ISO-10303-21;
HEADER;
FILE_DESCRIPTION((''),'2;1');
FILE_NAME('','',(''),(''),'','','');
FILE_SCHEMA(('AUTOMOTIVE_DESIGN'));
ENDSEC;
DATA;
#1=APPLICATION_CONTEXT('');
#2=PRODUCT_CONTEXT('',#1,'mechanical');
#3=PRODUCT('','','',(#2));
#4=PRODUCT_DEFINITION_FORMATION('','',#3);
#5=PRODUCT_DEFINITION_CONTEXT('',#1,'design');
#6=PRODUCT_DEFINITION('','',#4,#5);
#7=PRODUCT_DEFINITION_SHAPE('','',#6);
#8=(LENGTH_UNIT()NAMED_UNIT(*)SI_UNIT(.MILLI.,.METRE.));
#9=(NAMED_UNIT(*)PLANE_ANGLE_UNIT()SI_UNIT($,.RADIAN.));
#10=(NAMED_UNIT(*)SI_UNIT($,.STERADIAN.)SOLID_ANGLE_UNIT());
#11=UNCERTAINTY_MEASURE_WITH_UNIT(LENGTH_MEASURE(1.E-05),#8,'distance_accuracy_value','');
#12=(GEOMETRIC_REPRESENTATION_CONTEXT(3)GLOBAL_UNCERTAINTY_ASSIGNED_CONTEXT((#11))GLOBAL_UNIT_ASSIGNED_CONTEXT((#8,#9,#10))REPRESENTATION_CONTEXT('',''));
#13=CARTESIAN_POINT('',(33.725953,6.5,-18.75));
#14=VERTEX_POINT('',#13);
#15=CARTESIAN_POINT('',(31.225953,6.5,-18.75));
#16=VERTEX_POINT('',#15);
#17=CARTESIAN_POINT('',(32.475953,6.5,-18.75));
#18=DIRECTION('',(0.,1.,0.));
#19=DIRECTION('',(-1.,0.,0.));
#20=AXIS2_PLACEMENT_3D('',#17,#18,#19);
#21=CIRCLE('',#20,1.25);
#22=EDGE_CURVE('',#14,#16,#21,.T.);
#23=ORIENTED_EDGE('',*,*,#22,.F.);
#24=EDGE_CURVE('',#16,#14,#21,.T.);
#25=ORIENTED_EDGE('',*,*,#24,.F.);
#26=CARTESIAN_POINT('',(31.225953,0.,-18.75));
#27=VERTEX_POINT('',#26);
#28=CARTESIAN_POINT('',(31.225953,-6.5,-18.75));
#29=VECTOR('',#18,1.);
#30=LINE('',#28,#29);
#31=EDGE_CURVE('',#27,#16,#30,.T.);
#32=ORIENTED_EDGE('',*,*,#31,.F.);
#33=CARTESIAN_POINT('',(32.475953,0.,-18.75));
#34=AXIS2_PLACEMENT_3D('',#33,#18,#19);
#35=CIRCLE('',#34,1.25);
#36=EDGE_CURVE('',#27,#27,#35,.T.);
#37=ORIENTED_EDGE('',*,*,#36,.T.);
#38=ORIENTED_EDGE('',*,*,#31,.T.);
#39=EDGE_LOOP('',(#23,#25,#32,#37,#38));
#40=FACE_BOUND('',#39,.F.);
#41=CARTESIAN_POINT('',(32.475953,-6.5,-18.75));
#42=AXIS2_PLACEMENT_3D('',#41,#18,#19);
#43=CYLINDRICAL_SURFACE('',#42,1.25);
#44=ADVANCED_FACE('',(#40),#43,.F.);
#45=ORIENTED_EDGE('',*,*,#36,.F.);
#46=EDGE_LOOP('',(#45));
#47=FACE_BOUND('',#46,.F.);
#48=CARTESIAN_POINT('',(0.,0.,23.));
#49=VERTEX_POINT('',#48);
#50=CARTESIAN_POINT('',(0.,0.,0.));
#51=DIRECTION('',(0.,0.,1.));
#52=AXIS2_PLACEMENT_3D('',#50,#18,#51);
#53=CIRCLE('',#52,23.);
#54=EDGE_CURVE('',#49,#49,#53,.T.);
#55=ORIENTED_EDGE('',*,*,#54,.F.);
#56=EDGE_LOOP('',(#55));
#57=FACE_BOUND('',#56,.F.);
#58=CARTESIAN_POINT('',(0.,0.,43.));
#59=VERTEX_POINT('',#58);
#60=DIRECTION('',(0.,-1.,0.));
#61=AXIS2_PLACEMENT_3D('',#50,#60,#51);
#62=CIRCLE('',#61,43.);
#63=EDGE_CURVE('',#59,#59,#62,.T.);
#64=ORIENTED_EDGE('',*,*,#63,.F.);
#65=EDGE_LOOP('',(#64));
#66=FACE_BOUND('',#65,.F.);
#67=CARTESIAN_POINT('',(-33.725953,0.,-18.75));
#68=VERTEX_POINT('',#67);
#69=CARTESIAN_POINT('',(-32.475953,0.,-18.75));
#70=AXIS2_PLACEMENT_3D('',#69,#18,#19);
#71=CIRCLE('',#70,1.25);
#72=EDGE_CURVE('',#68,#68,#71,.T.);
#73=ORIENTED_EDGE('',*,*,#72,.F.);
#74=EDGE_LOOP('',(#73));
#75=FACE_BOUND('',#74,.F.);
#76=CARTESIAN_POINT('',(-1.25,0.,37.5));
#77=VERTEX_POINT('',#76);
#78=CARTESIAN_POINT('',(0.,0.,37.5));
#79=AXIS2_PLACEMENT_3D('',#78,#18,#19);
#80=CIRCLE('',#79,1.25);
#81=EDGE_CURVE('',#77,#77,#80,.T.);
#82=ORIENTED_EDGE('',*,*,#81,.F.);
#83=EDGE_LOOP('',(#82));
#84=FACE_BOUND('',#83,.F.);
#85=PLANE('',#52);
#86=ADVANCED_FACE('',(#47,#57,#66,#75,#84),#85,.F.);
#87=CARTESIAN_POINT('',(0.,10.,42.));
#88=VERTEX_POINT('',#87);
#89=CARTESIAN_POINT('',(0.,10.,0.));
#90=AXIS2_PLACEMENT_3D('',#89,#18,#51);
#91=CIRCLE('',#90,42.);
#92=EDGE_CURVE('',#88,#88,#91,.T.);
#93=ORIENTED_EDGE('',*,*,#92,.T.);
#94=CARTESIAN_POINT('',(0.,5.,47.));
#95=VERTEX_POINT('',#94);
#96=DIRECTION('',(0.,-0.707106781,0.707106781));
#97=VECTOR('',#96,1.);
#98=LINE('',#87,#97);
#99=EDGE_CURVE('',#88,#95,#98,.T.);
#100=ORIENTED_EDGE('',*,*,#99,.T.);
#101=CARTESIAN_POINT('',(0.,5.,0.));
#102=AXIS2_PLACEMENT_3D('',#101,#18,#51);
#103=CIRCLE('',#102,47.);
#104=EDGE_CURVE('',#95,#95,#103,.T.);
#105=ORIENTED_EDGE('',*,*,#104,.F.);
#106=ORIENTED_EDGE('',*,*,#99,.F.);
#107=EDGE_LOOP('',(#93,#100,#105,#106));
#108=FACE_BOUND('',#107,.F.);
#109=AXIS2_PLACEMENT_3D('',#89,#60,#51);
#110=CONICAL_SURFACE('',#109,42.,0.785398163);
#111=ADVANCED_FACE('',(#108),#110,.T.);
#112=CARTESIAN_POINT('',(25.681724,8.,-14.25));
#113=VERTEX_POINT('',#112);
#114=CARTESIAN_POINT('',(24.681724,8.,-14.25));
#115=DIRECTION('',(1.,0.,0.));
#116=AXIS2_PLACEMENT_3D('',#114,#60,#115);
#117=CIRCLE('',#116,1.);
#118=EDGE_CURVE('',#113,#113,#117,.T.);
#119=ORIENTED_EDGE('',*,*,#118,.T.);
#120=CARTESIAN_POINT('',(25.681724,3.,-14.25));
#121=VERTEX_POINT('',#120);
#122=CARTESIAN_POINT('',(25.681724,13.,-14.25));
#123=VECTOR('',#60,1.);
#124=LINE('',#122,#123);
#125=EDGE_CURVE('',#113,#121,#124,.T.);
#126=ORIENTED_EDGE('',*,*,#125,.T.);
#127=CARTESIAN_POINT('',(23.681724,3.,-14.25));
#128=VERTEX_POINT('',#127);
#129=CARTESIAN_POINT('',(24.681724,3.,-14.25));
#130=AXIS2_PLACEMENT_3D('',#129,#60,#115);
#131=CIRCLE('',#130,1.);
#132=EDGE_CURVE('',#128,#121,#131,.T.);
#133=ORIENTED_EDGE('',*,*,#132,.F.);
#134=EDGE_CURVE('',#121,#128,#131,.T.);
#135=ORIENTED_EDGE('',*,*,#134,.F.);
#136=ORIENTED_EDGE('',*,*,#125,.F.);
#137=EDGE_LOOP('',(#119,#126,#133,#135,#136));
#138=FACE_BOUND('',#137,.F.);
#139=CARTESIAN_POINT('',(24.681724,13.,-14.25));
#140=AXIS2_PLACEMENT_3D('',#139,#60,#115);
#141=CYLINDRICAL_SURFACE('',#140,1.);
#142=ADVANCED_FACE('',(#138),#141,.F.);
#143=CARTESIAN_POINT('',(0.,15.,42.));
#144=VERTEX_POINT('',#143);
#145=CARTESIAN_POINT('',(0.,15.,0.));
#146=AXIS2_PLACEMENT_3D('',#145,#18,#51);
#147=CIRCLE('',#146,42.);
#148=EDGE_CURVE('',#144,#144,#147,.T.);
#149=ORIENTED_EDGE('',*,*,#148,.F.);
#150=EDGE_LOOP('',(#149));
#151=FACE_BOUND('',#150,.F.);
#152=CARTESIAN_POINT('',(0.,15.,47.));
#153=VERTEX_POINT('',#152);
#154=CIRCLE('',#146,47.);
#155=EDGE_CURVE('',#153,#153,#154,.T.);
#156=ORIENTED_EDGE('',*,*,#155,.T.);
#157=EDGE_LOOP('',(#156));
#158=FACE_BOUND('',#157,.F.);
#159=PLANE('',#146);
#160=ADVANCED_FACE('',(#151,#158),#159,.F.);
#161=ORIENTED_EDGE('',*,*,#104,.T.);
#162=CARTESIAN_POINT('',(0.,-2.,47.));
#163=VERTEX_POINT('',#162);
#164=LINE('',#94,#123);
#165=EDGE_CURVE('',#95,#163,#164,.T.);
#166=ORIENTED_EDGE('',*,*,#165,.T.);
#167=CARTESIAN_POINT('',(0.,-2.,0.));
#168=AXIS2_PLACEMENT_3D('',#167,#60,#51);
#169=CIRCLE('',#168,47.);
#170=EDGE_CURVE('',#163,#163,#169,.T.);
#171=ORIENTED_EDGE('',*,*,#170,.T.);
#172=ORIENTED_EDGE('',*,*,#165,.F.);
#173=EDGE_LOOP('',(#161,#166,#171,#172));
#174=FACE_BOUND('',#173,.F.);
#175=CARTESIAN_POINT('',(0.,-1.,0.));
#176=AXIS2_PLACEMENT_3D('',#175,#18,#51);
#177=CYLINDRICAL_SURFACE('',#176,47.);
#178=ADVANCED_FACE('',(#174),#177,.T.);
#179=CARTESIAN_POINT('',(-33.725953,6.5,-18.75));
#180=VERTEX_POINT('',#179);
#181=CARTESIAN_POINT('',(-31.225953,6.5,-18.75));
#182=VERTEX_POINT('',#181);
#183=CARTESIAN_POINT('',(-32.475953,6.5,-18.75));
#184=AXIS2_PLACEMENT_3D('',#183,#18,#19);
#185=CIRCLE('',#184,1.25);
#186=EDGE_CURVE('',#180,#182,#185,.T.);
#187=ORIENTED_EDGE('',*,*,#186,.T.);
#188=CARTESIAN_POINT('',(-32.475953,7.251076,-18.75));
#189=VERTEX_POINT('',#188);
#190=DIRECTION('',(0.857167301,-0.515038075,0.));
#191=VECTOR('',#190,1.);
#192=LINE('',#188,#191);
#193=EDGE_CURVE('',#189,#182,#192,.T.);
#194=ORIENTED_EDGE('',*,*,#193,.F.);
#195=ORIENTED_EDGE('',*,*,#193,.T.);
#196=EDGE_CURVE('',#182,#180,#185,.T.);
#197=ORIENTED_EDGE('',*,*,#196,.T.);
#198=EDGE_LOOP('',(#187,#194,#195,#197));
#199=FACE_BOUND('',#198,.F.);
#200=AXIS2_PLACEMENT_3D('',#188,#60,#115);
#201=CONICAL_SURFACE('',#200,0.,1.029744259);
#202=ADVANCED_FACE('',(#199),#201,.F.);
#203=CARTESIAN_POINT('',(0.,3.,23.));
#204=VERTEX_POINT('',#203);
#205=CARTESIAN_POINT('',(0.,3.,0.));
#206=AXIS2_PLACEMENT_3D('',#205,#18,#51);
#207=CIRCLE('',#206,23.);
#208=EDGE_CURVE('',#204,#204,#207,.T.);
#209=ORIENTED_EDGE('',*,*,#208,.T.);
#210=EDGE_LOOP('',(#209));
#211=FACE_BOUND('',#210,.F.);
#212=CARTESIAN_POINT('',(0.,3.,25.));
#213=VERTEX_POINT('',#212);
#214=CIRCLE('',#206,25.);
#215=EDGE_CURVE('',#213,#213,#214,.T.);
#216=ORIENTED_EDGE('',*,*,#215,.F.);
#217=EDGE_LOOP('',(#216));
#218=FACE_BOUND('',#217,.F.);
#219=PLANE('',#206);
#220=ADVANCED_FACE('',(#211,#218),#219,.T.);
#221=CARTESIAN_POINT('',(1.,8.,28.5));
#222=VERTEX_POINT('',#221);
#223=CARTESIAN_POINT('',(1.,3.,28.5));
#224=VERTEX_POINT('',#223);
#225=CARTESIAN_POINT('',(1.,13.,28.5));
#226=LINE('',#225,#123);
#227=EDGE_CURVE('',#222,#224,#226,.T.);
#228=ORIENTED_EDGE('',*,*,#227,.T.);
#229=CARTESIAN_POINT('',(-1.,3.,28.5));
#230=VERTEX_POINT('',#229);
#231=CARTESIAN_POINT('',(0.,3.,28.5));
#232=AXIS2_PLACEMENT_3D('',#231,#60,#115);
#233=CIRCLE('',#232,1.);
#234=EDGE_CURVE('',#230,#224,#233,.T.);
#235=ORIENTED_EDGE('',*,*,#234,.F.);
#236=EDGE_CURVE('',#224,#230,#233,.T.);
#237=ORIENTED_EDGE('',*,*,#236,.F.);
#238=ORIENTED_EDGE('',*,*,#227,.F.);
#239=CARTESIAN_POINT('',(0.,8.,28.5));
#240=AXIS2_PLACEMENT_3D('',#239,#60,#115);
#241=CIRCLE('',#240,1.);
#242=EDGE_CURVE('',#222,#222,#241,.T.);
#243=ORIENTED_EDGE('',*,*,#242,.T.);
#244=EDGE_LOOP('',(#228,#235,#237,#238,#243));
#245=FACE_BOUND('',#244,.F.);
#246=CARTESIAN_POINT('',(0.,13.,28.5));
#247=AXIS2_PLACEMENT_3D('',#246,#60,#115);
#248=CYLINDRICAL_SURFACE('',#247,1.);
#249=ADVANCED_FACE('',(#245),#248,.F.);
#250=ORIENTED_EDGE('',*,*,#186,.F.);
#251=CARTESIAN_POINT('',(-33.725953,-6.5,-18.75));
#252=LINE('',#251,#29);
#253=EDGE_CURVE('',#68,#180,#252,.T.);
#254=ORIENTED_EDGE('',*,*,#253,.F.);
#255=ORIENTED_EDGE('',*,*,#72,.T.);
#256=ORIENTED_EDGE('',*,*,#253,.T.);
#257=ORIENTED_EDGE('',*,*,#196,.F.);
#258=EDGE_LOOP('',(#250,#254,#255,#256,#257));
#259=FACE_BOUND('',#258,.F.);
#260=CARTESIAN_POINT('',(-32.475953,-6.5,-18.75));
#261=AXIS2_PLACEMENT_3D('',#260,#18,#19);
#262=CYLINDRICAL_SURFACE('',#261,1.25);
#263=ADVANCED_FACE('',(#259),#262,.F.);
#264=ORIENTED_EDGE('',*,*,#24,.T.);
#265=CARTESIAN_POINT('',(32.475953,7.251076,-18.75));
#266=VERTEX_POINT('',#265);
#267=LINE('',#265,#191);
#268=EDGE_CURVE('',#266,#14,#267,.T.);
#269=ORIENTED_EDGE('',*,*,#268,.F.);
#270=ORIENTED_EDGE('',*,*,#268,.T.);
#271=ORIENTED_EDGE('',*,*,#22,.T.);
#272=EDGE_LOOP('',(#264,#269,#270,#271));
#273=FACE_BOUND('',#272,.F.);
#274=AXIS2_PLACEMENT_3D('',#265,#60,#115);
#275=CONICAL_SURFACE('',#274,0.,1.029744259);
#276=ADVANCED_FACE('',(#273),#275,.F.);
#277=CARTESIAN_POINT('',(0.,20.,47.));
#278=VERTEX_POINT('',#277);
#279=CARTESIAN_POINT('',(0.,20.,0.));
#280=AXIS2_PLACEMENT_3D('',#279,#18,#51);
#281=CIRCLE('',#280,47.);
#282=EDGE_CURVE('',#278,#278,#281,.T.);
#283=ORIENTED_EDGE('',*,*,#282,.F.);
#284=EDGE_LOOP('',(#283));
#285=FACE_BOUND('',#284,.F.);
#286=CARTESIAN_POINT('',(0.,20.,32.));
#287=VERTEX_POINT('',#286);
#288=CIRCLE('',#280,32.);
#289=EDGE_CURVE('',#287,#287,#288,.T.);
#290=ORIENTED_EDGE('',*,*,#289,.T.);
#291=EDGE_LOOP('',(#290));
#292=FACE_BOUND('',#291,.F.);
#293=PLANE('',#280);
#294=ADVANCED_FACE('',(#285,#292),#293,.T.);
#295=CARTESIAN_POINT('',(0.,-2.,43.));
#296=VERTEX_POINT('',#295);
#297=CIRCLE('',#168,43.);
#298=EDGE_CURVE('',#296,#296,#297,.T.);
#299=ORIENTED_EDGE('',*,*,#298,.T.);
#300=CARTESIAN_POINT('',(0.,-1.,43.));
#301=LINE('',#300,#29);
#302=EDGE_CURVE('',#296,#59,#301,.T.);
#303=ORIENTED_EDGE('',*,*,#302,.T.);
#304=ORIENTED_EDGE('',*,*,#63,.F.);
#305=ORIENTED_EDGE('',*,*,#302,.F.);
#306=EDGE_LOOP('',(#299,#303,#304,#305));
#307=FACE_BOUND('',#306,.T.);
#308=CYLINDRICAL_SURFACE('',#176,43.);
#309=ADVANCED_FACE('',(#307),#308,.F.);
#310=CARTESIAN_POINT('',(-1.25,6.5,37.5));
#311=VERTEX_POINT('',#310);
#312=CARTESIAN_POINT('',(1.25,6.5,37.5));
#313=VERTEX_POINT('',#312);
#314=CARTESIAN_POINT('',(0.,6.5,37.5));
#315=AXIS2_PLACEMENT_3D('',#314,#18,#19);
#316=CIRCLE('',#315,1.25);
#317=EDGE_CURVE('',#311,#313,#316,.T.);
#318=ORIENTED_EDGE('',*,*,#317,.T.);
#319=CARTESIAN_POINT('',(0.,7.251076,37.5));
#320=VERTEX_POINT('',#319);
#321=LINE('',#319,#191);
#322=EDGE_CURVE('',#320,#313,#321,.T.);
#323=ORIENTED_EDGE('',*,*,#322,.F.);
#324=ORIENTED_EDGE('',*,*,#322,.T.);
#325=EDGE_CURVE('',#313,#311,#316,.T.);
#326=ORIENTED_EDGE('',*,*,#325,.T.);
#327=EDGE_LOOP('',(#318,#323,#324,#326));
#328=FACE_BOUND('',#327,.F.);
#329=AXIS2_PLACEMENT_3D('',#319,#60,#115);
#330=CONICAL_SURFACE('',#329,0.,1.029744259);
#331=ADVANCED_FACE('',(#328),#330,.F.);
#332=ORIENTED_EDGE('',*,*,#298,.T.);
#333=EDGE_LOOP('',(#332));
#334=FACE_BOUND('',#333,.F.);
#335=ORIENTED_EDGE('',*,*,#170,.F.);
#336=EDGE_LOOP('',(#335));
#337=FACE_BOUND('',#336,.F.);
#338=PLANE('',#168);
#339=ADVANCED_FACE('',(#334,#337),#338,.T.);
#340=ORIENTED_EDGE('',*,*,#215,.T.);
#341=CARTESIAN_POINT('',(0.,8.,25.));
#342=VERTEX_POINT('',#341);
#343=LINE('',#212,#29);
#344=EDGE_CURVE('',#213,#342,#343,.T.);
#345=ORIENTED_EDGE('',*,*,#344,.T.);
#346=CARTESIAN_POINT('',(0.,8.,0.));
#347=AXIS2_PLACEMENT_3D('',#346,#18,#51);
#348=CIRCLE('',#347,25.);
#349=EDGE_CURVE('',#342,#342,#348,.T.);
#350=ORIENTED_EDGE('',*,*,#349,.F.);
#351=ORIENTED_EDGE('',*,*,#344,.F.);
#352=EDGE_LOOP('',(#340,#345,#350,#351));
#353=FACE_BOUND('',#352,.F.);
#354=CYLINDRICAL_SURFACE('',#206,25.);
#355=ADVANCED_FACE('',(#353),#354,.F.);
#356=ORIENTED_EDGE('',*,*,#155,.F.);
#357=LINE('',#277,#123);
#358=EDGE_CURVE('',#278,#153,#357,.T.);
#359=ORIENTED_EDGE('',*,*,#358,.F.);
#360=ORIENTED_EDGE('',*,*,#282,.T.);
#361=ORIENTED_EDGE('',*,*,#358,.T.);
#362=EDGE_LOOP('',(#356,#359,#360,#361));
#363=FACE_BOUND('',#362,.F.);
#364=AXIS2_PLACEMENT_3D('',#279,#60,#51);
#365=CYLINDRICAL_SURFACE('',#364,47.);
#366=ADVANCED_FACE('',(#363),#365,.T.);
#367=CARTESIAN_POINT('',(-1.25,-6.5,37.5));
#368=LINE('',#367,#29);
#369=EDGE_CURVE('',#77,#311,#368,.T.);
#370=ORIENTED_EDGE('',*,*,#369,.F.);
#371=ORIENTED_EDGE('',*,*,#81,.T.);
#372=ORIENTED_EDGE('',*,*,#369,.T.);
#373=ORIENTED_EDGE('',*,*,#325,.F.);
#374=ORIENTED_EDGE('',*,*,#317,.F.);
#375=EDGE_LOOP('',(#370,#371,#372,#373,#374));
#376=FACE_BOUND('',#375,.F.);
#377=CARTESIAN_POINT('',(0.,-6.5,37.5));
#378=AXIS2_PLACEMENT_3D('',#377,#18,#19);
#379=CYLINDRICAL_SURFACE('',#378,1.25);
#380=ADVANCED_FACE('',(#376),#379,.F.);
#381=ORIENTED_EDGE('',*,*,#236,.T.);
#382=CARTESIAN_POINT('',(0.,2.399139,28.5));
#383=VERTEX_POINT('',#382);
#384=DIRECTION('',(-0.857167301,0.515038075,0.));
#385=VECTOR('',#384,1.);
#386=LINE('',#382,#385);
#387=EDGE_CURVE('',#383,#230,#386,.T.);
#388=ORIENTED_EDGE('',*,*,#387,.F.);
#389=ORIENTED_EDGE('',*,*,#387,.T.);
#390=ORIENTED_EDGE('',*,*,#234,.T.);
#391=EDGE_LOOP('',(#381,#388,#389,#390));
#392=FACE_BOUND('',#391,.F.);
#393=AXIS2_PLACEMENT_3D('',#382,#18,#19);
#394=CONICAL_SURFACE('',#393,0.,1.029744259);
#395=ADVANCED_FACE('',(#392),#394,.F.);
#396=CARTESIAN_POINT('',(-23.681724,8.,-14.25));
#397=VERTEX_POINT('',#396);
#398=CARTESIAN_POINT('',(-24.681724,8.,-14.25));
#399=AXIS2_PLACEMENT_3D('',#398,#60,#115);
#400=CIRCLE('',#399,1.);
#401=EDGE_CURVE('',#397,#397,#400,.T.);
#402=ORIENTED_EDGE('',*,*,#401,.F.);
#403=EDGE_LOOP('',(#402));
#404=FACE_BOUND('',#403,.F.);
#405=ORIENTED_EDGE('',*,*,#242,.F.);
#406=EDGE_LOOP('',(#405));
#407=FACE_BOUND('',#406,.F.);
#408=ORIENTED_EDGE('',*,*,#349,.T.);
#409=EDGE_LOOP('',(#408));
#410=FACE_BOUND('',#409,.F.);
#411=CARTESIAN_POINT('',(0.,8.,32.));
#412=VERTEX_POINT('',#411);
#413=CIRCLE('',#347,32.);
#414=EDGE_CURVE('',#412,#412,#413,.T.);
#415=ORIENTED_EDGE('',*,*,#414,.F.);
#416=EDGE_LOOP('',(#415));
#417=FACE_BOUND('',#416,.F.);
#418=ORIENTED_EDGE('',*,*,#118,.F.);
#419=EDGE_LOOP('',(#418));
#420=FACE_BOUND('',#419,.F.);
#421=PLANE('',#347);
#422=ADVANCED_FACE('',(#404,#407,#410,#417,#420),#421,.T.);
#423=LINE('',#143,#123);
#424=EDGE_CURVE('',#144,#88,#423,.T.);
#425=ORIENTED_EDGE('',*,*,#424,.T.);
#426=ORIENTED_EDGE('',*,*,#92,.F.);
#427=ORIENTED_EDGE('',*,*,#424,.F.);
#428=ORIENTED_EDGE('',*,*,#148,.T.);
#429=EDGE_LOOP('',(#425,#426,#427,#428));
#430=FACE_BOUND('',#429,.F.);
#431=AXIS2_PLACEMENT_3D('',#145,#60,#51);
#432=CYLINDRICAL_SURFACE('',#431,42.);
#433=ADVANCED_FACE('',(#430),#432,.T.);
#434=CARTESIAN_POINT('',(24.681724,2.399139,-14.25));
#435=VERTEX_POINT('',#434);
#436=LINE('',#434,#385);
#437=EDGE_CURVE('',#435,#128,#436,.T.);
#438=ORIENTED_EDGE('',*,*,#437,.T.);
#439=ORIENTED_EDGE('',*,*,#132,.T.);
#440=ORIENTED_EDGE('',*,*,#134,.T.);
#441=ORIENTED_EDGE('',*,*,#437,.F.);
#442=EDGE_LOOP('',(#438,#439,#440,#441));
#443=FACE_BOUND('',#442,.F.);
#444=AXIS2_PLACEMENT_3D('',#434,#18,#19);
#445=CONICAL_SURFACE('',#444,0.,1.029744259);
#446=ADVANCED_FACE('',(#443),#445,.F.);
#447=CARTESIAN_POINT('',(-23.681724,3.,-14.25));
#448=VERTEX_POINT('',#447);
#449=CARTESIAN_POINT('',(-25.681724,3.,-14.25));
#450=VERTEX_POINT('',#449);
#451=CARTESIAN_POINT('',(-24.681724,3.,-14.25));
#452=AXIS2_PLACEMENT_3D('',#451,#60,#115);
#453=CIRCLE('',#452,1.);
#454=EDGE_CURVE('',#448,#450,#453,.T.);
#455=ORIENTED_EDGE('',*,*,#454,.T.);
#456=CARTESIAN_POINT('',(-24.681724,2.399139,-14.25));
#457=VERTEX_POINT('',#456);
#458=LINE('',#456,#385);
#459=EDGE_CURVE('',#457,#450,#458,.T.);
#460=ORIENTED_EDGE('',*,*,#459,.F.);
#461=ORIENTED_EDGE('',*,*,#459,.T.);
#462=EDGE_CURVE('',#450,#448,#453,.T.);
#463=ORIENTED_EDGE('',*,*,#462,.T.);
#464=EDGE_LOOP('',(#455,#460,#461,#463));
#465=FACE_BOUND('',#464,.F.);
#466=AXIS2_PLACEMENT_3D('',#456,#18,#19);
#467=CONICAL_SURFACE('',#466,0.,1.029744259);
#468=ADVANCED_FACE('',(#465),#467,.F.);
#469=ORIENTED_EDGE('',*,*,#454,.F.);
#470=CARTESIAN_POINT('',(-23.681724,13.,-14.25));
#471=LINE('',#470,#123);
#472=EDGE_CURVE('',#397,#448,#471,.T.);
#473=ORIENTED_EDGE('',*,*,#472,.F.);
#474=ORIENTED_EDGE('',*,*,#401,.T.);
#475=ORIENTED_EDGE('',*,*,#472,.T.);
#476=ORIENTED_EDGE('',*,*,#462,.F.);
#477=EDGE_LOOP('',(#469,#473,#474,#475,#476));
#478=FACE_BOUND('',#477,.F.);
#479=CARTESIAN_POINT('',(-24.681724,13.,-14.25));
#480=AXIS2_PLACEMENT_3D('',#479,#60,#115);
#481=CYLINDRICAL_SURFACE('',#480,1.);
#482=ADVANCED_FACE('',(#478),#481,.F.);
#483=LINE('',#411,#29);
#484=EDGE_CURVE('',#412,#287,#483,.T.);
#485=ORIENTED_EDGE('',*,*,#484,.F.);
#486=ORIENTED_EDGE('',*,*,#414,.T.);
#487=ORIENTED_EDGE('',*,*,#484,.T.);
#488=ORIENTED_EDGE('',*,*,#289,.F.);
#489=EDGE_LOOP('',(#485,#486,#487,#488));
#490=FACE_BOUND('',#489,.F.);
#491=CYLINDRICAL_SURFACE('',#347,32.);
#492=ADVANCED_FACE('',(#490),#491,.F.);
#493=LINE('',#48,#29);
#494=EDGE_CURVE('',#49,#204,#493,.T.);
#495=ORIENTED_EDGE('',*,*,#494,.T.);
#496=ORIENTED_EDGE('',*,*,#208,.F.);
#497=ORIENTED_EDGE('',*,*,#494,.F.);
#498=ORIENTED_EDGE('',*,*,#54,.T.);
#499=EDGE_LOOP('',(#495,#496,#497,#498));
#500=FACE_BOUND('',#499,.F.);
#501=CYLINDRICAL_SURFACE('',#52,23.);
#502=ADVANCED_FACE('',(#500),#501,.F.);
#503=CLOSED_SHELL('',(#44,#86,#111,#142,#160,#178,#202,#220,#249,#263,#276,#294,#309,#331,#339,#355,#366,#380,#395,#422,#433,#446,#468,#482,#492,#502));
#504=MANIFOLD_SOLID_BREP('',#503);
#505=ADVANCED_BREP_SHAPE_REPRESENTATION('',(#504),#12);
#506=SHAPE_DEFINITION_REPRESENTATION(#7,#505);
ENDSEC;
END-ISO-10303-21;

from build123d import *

# Parameters (mm, degrees)
F3_D     = 2
F3_DEPTH = 5
F3_TIP   = 0.600860619
F4_W     = 2
F4_H     = 4
F7_D     = 2.5
F7_DEPTH = 6.5
F7_TIP   = 0.7510757738


with BuildPart() as f1:
    # F0 (on Right) → F1 (revolve)
    with BuildSketch(Plane.YZ):
        Polygon((5, 47), (0, 47), (0, 23), (3, 23), (3, 25), (8, 25), (8, 32), (20, 32), (20, 47), (15, 47), (15, 42), (10, 42), align=None)
    revolve(axis=Axis((0, 13.034472242, 0), (0, 1, 0)))

    # F3
    with Locations(Plane(origin=(0, 8, 0), x_dir=(-1, 0, 0), z_dir=(0, 1, 0))):
        with Locations((0, 28.5), (24.6817240079, -14.25), (-24.6817240079, -14.25)):
            Hole(F3_D / 2, depth=F3_DEPTH)
            with Locations((0, 0, -(F3_DEPTH + F3_TIP / 2))):  # 118° drill point
                Cone(0, F3_D / 2, F3_TIP, mode=Mode.SUBTRACT)

    # F4 (on Right) → F5 (revolve)
    with BuildSketch(Plane.YZ):
        with Locations((-1, 45)):
            Rectangle(F4_W, F4_H)
    revolve(axis=Axis((0, -7.9047670588, 0), (0, -1, 0)))

    # F7
    with Locations(Plane.XZ):
        with Locations((0, 37.5), (32.4759526419, -18.75), (-32.4759526419, -18.75)):
            Hole(F7_D / 2, depth=F7_DEPTH)
            with Locations((0, 0, -(F7_DEPTH + F7_TIP / 2))):  # 118° drill point
                Cone(0, F7_D / 2, F7_TIP, mode=Mode.SUBTRACT)


solid = f1.part
